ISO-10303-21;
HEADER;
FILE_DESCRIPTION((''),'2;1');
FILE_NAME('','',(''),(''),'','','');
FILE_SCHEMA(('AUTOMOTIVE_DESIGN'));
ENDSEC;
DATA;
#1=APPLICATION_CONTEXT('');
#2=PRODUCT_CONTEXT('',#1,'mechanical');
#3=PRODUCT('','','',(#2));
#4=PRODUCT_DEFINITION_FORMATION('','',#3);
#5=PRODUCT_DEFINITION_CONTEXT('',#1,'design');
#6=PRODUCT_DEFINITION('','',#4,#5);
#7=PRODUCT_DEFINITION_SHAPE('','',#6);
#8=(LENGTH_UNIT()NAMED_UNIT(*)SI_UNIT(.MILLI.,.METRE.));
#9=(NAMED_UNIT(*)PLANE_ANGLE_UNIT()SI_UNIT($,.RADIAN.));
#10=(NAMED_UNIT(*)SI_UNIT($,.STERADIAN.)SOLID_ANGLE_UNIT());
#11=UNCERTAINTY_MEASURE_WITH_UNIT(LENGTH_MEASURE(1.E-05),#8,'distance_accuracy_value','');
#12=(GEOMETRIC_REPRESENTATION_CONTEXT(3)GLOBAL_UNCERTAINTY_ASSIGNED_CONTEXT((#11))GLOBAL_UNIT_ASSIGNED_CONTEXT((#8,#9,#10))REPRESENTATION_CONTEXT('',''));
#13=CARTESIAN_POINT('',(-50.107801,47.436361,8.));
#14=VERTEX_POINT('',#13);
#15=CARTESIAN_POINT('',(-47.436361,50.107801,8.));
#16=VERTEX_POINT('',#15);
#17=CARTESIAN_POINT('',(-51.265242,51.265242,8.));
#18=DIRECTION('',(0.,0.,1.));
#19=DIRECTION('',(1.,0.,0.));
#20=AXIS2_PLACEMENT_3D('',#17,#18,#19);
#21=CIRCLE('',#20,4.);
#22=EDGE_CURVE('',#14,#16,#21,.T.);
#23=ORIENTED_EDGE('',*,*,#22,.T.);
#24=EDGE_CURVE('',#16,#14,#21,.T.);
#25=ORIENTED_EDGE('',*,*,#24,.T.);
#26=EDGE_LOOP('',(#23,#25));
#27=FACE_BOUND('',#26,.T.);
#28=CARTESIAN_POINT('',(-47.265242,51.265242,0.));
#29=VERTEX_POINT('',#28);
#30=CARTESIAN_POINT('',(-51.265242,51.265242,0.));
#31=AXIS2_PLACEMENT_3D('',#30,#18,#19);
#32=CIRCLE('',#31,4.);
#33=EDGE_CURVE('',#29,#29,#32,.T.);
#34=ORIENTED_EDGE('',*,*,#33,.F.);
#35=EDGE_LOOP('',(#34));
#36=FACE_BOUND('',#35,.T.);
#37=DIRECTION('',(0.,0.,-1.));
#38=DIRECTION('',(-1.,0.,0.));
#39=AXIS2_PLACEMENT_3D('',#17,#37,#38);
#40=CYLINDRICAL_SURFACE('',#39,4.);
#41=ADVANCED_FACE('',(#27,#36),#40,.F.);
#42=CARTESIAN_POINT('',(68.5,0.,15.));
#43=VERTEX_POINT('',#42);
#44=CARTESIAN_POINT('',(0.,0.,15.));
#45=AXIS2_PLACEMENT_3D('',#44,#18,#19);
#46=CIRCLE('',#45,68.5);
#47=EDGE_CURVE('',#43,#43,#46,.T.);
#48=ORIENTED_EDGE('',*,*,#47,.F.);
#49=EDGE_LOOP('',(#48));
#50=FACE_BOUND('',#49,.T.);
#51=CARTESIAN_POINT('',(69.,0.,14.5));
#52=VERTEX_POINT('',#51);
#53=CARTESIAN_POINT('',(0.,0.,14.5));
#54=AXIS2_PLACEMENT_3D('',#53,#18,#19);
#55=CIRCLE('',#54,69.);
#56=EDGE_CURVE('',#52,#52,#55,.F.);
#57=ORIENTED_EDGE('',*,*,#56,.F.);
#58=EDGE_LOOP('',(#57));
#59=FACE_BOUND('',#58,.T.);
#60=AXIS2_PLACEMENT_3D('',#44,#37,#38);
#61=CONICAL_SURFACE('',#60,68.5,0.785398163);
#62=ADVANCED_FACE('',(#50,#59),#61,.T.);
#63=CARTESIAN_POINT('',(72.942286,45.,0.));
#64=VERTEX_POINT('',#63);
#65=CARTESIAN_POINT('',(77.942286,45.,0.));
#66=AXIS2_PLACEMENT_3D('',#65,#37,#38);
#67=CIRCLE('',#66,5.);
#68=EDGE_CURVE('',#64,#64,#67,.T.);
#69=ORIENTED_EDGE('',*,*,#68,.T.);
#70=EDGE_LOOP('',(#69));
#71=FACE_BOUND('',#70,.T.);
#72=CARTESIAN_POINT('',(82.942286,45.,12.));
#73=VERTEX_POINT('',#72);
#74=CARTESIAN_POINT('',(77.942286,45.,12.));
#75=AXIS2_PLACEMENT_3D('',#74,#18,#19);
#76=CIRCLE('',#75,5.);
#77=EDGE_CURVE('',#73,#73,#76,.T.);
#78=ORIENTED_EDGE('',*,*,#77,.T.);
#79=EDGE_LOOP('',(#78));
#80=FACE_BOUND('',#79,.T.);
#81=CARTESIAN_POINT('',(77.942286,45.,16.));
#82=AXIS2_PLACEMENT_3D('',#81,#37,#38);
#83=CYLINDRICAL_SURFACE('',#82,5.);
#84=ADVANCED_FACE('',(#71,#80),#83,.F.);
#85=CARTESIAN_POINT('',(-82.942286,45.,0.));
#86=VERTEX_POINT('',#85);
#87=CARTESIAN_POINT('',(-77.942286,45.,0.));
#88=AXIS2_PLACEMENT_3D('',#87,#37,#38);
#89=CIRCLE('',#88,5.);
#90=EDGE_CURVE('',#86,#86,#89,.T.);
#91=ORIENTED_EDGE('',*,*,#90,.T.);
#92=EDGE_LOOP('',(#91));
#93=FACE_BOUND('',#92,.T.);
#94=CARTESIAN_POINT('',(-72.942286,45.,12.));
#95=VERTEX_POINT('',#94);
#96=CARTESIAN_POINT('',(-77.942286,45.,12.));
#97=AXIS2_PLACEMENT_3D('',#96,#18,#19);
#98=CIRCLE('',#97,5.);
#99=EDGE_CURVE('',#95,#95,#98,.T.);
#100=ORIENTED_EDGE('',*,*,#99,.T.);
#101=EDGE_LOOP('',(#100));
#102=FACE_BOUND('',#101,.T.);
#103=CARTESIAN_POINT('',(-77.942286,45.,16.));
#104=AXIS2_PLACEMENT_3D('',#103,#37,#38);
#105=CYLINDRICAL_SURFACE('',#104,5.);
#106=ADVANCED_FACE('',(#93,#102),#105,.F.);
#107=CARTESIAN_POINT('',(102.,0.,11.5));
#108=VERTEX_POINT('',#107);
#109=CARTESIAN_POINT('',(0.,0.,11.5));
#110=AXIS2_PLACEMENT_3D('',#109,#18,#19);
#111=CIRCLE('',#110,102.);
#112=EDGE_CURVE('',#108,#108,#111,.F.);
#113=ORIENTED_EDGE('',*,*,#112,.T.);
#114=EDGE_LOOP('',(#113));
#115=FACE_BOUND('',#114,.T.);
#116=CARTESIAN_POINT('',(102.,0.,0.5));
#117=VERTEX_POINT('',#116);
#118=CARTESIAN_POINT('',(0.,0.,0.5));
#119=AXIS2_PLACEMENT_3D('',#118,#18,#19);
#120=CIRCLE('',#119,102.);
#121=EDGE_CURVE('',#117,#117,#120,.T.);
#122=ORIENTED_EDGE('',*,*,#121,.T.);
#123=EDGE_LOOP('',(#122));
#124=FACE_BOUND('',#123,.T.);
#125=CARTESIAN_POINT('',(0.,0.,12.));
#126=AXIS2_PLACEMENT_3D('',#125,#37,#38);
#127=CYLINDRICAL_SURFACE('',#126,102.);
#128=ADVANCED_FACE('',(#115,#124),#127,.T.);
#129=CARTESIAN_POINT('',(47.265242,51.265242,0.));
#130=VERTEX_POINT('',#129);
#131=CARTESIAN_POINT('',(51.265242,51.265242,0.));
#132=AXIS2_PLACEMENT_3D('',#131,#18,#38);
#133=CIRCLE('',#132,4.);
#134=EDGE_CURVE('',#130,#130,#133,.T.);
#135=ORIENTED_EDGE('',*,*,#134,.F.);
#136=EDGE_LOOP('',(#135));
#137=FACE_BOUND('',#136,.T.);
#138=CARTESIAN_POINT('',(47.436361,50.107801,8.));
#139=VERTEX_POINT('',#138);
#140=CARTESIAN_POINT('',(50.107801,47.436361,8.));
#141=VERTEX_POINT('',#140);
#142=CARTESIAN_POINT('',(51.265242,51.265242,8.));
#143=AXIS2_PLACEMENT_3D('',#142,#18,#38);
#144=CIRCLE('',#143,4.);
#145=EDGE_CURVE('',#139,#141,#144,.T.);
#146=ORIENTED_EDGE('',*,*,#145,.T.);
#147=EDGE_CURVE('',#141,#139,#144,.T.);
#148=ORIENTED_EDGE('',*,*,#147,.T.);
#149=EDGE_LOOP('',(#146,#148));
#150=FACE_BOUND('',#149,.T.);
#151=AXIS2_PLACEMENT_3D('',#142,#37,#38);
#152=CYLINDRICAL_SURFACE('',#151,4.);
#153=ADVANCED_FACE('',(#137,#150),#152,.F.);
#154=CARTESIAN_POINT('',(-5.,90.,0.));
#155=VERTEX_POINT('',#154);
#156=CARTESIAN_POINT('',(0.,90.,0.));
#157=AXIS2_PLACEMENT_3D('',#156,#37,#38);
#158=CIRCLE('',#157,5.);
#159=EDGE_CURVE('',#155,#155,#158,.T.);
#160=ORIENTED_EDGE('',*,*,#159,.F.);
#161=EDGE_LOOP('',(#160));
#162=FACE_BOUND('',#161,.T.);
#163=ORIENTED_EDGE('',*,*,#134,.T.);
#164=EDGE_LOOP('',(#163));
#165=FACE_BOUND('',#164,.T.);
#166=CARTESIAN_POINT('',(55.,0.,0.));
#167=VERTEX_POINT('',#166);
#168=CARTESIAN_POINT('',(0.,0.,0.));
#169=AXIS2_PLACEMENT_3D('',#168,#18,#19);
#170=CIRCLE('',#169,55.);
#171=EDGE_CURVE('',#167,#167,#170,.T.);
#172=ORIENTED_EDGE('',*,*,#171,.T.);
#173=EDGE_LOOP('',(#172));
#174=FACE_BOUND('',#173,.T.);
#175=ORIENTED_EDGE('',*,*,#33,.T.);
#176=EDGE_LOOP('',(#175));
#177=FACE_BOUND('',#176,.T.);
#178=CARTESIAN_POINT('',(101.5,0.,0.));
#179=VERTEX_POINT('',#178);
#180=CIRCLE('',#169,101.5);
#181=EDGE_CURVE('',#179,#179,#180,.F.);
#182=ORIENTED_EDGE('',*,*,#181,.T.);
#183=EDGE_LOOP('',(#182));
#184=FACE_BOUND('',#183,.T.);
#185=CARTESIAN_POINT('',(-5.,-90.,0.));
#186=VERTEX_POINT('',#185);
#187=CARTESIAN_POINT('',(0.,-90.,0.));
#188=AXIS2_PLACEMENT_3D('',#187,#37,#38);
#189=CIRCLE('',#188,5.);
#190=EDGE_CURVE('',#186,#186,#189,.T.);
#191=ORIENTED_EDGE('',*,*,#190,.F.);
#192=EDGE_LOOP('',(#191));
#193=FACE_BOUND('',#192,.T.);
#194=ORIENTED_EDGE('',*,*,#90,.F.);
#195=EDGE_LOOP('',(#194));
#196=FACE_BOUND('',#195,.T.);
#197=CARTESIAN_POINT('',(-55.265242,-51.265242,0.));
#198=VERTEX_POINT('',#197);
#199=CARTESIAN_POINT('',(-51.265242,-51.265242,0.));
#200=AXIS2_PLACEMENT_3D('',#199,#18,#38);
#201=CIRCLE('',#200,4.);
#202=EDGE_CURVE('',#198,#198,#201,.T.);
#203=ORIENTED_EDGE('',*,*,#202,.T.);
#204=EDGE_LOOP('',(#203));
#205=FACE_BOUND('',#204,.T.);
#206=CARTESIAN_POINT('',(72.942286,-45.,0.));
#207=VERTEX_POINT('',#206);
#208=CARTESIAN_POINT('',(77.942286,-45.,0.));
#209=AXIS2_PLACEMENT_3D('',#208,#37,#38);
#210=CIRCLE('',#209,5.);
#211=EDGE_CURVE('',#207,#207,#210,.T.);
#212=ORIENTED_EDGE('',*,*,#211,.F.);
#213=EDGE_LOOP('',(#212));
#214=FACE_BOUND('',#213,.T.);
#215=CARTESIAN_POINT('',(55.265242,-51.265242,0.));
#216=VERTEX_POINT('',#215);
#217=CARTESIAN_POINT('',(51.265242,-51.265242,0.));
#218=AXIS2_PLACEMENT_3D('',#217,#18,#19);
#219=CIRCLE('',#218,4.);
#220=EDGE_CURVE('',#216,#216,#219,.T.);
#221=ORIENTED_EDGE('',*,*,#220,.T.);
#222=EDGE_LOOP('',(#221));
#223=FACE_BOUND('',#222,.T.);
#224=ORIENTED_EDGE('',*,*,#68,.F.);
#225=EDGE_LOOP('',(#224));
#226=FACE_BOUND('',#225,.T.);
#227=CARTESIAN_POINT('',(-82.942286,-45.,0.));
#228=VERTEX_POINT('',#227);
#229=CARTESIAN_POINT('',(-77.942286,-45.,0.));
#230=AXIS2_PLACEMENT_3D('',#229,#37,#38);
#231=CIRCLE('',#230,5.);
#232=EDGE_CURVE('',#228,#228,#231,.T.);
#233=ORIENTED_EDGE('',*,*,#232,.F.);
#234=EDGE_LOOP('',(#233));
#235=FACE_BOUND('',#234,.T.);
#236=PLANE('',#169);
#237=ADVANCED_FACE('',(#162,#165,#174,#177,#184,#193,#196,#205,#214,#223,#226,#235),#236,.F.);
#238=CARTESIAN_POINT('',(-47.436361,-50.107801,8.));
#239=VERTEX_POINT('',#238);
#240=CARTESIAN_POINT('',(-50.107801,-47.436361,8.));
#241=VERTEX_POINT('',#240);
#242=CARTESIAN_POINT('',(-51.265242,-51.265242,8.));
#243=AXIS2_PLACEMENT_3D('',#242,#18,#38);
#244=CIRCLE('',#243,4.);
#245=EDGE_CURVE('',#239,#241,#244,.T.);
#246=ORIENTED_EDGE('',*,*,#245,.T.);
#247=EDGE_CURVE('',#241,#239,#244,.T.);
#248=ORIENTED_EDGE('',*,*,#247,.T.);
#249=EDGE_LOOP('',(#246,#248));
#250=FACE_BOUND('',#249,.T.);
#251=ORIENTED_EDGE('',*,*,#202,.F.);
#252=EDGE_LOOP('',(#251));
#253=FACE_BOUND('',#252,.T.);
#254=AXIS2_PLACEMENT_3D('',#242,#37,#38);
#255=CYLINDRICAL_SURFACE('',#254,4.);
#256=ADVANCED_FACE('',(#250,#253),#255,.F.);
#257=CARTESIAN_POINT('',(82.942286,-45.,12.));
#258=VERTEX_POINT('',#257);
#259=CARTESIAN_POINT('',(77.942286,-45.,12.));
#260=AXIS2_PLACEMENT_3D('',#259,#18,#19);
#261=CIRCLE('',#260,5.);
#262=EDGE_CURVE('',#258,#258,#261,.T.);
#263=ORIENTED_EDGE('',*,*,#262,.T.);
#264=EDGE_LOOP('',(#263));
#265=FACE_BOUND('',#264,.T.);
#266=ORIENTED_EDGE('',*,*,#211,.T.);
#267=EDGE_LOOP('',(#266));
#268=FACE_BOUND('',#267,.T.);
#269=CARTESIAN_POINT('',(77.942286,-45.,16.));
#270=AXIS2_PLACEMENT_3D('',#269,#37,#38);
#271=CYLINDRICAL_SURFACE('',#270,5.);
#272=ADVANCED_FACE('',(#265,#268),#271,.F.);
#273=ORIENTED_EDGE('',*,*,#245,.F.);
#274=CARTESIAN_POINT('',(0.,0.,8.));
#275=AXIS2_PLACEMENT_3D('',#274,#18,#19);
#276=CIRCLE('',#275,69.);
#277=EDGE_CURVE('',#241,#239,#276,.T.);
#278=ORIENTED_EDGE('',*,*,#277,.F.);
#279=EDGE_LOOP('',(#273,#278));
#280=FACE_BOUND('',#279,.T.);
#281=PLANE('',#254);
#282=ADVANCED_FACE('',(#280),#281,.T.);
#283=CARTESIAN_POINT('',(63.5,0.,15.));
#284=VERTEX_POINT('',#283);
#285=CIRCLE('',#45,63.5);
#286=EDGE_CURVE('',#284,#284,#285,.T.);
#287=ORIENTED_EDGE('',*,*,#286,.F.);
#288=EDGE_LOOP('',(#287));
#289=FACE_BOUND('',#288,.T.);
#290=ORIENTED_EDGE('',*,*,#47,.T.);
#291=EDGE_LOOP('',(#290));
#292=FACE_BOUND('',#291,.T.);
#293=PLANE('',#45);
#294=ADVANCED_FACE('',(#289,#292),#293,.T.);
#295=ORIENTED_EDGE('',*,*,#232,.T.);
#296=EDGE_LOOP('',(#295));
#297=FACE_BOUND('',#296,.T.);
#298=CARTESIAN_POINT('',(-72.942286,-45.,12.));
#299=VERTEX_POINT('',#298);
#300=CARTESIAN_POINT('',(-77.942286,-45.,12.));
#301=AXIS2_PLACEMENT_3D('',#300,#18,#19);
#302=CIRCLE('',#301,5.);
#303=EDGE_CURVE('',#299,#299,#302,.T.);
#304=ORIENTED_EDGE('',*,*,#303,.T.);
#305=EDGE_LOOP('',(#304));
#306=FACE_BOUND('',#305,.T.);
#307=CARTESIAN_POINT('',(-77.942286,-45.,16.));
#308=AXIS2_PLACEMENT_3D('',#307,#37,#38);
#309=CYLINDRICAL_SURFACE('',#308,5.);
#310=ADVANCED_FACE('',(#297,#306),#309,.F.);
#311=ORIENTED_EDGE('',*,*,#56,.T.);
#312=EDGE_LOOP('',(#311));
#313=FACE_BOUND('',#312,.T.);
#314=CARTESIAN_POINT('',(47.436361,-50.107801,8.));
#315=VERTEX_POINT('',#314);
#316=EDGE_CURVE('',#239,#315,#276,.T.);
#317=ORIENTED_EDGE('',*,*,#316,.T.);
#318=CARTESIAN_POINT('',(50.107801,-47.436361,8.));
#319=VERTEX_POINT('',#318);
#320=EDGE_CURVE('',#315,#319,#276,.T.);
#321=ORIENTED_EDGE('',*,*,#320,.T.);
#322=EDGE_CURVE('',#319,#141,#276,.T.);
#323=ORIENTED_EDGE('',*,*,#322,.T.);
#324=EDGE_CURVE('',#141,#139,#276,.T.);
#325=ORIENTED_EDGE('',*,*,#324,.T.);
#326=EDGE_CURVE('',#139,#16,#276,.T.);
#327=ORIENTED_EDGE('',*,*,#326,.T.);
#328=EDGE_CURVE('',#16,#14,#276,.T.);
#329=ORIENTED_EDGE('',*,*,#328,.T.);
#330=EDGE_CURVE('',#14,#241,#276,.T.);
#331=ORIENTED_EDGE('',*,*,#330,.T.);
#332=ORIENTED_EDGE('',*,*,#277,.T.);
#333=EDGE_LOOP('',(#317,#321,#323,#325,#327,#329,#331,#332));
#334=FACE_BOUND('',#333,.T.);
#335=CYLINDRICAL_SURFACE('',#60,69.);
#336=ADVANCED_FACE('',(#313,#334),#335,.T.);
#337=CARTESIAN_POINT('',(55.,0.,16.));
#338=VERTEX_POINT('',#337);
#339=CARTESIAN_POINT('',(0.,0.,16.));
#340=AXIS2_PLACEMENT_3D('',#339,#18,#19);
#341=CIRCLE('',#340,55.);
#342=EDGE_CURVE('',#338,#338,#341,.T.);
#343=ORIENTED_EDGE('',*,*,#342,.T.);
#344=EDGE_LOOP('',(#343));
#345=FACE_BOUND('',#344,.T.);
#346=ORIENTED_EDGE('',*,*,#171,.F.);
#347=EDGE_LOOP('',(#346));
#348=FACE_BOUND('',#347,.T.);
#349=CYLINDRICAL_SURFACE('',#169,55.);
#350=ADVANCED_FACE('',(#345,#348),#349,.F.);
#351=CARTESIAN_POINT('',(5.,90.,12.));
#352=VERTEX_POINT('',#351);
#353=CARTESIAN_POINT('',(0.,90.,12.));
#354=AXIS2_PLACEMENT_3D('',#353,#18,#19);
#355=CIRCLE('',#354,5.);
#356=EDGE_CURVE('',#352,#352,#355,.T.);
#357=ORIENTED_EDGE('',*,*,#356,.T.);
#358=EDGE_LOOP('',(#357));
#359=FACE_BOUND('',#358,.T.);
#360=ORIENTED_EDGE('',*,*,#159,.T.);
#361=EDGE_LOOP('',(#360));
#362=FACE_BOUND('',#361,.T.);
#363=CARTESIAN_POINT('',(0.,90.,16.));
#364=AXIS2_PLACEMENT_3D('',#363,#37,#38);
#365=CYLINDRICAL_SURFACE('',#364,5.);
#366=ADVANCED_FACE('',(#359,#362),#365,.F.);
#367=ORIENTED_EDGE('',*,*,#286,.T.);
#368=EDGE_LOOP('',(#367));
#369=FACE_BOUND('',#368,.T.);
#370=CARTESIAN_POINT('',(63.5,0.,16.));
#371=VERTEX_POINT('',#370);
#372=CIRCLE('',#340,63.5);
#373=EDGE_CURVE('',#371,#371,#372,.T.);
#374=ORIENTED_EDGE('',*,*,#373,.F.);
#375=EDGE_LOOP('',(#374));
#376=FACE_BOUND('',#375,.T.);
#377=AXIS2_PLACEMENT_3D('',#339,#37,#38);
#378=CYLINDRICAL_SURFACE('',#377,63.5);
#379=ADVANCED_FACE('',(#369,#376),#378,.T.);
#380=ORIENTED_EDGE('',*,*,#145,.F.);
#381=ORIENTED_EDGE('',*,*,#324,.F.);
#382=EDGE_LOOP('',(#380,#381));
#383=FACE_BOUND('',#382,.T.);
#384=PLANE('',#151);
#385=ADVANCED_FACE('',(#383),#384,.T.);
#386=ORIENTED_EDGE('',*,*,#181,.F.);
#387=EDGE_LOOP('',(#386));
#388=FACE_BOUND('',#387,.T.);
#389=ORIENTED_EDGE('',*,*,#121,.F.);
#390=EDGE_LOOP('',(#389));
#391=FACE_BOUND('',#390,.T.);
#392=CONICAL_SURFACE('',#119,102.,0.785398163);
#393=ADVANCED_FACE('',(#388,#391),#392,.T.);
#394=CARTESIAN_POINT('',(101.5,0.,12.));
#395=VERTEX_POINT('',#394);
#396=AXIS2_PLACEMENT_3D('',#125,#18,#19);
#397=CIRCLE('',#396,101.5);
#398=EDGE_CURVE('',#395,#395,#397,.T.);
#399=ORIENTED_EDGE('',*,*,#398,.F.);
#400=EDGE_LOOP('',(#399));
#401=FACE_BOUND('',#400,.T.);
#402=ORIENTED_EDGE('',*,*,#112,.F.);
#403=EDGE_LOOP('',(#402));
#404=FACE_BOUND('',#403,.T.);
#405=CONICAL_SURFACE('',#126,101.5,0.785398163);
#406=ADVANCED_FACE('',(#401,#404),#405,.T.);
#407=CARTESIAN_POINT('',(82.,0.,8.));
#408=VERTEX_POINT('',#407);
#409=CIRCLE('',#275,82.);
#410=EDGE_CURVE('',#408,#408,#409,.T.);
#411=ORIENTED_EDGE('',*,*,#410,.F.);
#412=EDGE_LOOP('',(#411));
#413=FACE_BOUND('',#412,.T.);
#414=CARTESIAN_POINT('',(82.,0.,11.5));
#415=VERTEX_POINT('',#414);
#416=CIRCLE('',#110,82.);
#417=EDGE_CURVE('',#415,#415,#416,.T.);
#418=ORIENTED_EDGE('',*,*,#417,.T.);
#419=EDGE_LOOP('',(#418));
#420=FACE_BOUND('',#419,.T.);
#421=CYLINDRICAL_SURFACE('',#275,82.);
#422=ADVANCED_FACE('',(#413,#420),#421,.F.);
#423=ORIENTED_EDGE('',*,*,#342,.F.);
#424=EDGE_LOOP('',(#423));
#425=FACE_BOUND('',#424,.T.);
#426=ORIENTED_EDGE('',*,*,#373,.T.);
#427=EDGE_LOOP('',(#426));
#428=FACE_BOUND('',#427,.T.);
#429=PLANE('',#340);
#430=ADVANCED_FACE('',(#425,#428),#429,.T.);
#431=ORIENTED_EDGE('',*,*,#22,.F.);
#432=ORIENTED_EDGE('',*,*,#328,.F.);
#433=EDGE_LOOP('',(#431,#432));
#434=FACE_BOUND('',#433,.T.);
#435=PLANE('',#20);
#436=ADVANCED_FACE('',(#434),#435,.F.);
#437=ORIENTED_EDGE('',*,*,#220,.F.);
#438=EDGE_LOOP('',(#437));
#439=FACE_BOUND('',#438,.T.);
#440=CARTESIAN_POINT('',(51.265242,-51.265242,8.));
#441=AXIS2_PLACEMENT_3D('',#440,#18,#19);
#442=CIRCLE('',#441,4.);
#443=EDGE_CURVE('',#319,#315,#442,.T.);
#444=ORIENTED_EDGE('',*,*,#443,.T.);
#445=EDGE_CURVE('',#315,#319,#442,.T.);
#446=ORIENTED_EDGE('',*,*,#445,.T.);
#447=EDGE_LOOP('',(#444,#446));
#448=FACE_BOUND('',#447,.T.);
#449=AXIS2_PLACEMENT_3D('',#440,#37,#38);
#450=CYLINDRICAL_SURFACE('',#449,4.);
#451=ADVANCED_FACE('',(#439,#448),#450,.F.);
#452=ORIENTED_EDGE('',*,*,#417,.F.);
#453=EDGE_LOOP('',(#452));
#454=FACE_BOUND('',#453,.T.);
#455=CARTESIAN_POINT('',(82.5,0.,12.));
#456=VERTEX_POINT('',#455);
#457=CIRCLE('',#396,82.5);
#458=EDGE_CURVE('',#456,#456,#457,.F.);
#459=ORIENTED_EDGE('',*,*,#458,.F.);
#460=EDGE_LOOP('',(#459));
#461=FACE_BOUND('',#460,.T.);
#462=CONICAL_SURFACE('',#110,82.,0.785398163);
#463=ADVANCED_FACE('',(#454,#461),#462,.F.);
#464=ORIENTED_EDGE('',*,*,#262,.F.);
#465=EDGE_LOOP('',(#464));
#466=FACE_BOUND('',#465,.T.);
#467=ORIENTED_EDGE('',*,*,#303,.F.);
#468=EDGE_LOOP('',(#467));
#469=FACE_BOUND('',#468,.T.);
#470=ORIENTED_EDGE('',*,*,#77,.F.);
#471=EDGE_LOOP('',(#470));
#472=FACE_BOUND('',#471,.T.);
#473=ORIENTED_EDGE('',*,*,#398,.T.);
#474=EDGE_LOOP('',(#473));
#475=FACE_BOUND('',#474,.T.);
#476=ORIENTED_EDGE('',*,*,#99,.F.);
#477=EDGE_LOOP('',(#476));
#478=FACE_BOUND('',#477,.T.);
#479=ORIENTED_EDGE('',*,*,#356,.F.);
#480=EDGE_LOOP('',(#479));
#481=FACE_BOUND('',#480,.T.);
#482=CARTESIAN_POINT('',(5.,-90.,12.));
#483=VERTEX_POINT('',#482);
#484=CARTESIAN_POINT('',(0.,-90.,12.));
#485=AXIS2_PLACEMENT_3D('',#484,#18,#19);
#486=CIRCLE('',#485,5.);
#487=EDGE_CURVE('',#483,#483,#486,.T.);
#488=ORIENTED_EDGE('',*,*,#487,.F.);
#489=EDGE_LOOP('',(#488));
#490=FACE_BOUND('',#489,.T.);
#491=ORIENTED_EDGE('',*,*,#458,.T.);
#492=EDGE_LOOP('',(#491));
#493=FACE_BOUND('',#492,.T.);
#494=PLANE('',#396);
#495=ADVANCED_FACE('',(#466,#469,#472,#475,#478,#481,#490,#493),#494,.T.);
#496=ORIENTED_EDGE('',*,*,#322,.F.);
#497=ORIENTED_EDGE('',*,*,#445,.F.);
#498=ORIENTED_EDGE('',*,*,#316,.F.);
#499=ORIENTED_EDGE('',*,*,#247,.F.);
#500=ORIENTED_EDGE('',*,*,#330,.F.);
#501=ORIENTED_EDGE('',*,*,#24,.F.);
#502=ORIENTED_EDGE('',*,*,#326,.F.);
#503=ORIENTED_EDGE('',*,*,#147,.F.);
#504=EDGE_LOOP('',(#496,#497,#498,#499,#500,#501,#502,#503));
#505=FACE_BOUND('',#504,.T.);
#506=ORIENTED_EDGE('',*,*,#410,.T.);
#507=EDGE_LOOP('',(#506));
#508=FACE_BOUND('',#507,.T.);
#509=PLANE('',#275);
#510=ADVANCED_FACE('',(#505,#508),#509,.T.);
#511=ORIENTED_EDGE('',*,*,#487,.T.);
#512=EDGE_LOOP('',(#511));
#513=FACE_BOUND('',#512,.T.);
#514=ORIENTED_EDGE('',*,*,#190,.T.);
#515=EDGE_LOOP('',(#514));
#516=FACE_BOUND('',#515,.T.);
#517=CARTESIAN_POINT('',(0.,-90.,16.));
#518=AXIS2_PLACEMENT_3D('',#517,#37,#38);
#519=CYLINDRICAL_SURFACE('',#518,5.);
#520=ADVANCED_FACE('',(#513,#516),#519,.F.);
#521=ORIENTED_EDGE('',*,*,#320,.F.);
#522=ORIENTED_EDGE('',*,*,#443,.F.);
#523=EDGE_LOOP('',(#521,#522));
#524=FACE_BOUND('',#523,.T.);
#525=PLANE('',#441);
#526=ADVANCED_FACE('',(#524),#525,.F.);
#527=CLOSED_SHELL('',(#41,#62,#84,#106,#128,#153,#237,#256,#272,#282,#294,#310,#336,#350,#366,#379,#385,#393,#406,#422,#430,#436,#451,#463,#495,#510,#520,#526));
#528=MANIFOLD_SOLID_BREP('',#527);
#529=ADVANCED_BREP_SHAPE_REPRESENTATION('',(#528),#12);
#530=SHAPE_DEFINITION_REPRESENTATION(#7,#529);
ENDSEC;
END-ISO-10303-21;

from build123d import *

# Parameters (mm, degrees)
SKETCH_1_R          = 102
EXTRUDE_1_DEPTH     = 12
SKETCH_2_R          = 69
EXTRUDE_2_DEPTH     = 3
SKETCH_3_R          = 63.5
EXTRUDE_3_DEPTH     = 1
SKETCH_4_R          = 55
CUT_EXTRUDE_1_DEPTH = 146.134420452
CUT_EXTRUDE_START   = -8
SKETCH_5_R          = 82
SKETCH_5_R_2        = 69
CUT_EXTRUDE_2_DEPTH = 4
SKETCH_6_R          = 4
CUT_EXTRUDE_3_DEPTH = 8
SKETCH_7_R          = 5
CUT_EXTRUDE_4_DEPTH = 146.134420452
CHAMFER_1_SIZE      = 0.5


with BuildPart() as part:
    # 草图1 → 凸台-拉伸1 (new body)
    with BuildSketch(Plane.XY):
        Circle(SKETCH_1_R)
    extrude(amount=EXTRUDE_1_DEPTH)

    # 草图2 → 凸台-拉伸2 (add)
    with BuildSketch(Plane.XY.offset(12)):
        Circle(SKETCH_2_R)
    extrude(amount=EXTRUDE_2_DEPTH)

    # 草图3 → 凸台-拉伸3 (add)
    with BuildSketch(Plane.XY.offset(15)):
        Circle(SKETCH_3_R)
    extrude(amount=EXTRUDE_3_DEPTH)

    # 草图4 → 切除-拉伸1 (cut, through all)
    with BuildSketch(Plane.XY.offset(16)):
        Circle(SKETCH_4_R)
    extrude(amount=-CUT_EXTRUDE_1_DEPTH, mode=Mode.SUBTRACT)

    # 草图5 → 切除-拉伸2 (cut)
    with BuildSketch(Plane.XY.offset(16).offset(CUT_EXTRUDE_START)):
        Circle(SKETCH_5_R)
        Circle(SKETCH_5_R_2, mode=Mode.SUBTRACT)
    extrude(amount=CUT_EXTRUDE_2_DEPTH, mode=Mode.SUBTRACT)

    # 草图6 → 切除-拉伸3 (cut)
    with BuildSketch(Plane.XY):
        with Locations(Location((-51.265241636, 51.265241636, 0), (0, 0, 286.819656348))):
            Circle(SKETCH_6_R)
        with Locations(Location((51.265241636, 51.265241636, 0), (0, 0, 180))):
            Circle(SKETCH_6_R)
        with Locations(Location((51.265241636, -51.265241636, 0), (0, 0, 163.180343652))):
            Circle(SKETCH_6_R)
        with Locations(Location((-51.265241636, -51.265241636, 0), (0, 0, 180))):
            Circle(SKETCH_6_R)
    extrude(amount=CUT_EXTRUDE_3_DEPTH, mode=Mode.SUBTRACT)

    # 草图7 → 切除-拉伸4 (cut, through all)
    with BuildSketch(Plane(origin=(0, 0, 0), x_dir=(-1, 0, 0), z_dir=(0, 0, -1))):
        with Locations((-77.942286341, 45)):
            Circle(SKETCH_7_R)
        with Locations((0, 90)):
            Circle(SKETCH_7_R)
        with Locations((77.942286341, 45)):
            Circle(SKETCH_7_R)
        with Locations((77.942286341, -45)):
            Circle(SKETCH_7_R)
        with Locations((0, -90)):
            Circle(SKETCH_7_R)
        with Locations((-77.942286341, -45)):
            Circle(SKETCH_7_R)
    extrude(amount=-CUT_EXTRUDE_4_DEPTH, mode=Mode.SUBTRACT)

    # 倒角1
    chamfer_1_edges = [part.edges().sort_by_distance(p)[0] for p in [
        (-82, 0, 12),
        (-102, 0, 0),
        (-102, 0, 12),
        (-69, 0, 15),
    ]]
    chamfer(chamfer_1_edges, length=CHAMFER_1_SIZE)


solid = part.part
